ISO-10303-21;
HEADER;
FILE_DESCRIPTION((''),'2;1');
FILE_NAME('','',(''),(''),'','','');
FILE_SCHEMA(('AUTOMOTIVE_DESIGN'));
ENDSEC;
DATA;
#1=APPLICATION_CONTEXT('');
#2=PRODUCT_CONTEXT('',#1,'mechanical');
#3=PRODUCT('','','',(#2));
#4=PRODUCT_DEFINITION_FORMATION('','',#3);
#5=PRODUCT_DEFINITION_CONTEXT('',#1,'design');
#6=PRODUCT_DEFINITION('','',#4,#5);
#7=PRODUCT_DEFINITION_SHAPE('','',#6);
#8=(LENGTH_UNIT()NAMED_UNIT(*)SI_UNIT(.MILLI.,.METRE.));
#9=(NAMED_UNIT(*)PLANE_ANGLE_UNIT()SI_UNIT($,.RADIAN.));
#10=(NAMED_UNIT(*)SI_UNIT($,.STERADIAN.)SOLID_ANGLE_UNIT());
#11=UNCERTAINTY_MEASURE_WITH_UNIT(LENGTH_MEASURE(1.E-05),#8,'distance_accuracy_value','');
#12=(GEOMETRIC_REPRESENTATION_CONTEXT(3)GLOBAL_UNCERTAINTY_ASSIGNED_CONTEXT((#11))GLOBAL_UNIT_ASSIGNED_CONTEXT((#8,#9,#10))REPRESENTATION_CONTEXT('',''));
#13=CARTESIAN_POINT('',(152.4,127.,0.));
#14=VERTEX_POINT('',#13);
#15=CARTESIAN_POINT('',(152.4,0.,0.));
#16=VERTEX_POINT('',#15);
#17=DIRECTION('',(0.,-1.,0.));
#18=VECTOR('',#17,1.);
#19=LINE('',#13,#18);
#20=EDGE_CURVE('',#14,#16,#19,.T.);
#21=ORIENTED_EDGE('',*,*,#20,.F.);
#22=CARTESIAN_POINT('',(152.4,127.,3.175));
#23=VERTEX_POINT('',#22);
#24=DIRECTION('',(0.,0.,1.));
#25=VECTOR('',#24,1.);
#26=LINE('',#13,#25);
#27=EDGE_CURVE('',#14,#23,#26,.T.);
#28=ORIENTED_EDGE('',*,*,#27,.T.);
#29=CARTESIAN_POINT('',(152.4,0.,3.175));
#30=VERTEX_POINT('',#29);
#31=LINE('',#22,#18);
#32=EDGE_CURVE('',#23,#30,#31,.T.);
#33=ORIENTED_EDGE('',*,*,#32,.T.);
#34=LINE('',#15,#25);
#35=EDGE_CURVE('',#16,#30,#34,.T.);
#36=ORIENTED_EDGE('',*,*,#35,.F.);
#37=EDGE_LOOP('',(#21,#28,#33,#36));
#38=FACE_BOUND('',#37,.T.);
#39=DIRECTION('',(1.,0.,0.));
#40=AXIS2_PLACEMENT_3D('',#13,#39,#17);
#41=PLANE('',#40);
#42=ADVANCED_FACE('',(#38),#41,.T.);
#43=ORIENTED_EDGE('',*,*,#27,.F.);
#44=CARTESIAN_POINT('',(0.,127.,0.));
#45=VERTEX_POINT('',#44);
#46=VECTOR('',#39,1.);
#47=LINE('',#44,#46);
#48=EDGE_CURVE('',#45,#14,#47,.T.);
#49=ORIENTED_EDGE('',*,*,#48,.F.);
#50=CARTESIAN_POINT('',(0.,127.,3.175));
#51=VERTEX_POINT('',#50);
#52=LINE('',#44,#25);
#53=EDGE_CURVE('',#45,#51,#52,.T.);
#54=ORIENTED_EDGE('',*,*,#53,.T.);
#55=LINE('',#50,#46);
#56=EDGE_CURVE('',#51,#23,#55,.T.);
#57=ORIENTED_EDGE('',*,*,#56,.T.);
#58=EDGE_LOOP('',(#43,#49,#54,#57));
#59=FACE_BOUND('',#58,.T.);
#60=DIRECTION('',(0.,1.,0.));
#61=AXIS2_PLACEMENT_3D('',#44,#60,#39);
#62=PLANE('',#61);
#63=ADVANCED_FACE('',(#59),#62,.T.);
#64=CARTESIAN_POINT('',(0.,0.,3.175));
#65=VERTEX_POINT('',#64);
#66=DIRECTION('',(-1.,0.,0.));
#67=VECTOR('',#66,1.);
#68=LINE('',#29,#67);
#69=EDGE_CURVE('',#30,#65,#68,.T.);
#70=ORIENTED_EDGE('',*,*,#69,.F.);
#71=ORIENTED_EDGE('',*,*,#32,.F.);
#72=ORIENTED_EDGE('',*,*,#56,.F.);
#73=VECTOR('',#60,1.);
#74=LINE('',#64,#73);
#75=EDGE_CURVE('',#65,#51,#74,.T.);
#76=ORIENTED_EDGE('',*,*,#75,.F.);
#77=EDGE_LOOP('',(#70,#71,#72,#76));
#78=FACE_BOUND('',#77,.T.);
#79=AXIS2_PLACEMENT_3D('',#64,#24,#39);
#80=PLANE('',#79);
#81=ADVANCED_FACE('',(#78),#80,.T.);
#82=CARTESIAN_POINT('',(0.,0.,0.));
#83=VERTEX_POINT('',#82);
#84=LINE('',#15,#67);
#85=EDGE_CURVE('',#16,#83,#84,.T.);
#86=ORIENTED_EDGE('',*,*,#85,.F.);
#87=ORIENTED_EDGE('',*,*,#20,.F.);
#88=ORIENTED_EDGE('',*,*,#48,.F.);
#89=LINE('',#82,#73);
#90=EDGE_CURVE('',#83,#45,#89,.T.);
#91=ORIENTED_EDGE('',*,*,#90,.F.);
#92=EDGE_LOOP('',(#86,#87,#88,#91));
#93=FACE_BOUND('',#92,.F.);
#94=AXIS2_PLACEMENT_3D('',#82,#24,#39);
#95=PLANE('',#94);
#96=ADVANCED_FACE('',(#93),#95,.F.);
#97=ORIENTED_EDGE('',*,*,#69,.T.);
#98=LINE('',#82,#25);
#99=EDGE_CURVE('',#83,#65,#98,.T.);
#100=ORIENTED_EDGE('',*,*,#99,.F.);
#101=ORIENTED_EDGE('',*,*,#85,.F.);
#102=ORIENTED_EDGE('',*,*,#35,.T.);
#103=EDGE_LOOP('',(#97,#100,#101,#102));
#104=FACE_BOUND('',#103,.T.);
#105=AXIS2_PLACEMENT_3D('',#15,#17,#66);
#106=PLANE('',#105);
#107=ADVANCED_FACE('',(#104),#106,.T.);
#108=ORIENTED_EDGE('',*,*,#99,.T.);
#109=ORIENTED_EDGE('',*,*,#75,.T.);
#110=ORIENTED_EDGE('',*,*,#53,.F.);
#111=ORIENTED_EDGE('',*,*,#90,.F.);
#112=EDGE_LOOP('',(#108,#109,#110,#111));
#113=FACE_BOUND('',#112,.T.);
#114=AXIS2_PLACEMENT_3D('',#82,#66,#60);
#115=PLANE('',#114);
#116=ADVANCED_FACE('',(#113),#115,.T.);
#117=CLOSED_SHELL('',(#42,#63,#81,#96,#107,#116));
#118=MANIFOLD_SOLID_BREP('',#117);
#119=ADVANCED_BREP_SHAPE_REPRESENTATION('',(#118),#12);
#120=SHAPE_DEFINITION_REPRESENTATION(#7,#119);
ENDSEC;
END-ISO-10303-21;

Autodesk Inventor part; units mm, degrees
ref_plane "YZ Plane" through (0, 0, 0) normal (1, 0, 0) x (0, 1, 0)
ref_plane "XZ Plane" through (0, 0, 0) normal (0, 1, 0) x (-1, 0, 0)
ref_plane "XY Plane" through (0, 0, 0) normal (0, 0, 1) x (1, 0, 0)
sketch "Sketch1" plane through (0, 0, 0) normal (0, 0, 1) x (1, 0, 0)
  line L0 (0, 0) -> (0, 127)
  line L1 (0, 127) -> (152.4, 127)
  line L2 (152.4, 127) -> (152.4, 0)
  line L3 (152.4, 0) -> (0, 0)
  dimension "d0" = 127
  dimension "d1" = 152.4
extrude "Extrusion1" add sketch "Sketch1" along normal blind 3.175
properties part number "Wheel Shields" material "Polycarbonate, Clear"
